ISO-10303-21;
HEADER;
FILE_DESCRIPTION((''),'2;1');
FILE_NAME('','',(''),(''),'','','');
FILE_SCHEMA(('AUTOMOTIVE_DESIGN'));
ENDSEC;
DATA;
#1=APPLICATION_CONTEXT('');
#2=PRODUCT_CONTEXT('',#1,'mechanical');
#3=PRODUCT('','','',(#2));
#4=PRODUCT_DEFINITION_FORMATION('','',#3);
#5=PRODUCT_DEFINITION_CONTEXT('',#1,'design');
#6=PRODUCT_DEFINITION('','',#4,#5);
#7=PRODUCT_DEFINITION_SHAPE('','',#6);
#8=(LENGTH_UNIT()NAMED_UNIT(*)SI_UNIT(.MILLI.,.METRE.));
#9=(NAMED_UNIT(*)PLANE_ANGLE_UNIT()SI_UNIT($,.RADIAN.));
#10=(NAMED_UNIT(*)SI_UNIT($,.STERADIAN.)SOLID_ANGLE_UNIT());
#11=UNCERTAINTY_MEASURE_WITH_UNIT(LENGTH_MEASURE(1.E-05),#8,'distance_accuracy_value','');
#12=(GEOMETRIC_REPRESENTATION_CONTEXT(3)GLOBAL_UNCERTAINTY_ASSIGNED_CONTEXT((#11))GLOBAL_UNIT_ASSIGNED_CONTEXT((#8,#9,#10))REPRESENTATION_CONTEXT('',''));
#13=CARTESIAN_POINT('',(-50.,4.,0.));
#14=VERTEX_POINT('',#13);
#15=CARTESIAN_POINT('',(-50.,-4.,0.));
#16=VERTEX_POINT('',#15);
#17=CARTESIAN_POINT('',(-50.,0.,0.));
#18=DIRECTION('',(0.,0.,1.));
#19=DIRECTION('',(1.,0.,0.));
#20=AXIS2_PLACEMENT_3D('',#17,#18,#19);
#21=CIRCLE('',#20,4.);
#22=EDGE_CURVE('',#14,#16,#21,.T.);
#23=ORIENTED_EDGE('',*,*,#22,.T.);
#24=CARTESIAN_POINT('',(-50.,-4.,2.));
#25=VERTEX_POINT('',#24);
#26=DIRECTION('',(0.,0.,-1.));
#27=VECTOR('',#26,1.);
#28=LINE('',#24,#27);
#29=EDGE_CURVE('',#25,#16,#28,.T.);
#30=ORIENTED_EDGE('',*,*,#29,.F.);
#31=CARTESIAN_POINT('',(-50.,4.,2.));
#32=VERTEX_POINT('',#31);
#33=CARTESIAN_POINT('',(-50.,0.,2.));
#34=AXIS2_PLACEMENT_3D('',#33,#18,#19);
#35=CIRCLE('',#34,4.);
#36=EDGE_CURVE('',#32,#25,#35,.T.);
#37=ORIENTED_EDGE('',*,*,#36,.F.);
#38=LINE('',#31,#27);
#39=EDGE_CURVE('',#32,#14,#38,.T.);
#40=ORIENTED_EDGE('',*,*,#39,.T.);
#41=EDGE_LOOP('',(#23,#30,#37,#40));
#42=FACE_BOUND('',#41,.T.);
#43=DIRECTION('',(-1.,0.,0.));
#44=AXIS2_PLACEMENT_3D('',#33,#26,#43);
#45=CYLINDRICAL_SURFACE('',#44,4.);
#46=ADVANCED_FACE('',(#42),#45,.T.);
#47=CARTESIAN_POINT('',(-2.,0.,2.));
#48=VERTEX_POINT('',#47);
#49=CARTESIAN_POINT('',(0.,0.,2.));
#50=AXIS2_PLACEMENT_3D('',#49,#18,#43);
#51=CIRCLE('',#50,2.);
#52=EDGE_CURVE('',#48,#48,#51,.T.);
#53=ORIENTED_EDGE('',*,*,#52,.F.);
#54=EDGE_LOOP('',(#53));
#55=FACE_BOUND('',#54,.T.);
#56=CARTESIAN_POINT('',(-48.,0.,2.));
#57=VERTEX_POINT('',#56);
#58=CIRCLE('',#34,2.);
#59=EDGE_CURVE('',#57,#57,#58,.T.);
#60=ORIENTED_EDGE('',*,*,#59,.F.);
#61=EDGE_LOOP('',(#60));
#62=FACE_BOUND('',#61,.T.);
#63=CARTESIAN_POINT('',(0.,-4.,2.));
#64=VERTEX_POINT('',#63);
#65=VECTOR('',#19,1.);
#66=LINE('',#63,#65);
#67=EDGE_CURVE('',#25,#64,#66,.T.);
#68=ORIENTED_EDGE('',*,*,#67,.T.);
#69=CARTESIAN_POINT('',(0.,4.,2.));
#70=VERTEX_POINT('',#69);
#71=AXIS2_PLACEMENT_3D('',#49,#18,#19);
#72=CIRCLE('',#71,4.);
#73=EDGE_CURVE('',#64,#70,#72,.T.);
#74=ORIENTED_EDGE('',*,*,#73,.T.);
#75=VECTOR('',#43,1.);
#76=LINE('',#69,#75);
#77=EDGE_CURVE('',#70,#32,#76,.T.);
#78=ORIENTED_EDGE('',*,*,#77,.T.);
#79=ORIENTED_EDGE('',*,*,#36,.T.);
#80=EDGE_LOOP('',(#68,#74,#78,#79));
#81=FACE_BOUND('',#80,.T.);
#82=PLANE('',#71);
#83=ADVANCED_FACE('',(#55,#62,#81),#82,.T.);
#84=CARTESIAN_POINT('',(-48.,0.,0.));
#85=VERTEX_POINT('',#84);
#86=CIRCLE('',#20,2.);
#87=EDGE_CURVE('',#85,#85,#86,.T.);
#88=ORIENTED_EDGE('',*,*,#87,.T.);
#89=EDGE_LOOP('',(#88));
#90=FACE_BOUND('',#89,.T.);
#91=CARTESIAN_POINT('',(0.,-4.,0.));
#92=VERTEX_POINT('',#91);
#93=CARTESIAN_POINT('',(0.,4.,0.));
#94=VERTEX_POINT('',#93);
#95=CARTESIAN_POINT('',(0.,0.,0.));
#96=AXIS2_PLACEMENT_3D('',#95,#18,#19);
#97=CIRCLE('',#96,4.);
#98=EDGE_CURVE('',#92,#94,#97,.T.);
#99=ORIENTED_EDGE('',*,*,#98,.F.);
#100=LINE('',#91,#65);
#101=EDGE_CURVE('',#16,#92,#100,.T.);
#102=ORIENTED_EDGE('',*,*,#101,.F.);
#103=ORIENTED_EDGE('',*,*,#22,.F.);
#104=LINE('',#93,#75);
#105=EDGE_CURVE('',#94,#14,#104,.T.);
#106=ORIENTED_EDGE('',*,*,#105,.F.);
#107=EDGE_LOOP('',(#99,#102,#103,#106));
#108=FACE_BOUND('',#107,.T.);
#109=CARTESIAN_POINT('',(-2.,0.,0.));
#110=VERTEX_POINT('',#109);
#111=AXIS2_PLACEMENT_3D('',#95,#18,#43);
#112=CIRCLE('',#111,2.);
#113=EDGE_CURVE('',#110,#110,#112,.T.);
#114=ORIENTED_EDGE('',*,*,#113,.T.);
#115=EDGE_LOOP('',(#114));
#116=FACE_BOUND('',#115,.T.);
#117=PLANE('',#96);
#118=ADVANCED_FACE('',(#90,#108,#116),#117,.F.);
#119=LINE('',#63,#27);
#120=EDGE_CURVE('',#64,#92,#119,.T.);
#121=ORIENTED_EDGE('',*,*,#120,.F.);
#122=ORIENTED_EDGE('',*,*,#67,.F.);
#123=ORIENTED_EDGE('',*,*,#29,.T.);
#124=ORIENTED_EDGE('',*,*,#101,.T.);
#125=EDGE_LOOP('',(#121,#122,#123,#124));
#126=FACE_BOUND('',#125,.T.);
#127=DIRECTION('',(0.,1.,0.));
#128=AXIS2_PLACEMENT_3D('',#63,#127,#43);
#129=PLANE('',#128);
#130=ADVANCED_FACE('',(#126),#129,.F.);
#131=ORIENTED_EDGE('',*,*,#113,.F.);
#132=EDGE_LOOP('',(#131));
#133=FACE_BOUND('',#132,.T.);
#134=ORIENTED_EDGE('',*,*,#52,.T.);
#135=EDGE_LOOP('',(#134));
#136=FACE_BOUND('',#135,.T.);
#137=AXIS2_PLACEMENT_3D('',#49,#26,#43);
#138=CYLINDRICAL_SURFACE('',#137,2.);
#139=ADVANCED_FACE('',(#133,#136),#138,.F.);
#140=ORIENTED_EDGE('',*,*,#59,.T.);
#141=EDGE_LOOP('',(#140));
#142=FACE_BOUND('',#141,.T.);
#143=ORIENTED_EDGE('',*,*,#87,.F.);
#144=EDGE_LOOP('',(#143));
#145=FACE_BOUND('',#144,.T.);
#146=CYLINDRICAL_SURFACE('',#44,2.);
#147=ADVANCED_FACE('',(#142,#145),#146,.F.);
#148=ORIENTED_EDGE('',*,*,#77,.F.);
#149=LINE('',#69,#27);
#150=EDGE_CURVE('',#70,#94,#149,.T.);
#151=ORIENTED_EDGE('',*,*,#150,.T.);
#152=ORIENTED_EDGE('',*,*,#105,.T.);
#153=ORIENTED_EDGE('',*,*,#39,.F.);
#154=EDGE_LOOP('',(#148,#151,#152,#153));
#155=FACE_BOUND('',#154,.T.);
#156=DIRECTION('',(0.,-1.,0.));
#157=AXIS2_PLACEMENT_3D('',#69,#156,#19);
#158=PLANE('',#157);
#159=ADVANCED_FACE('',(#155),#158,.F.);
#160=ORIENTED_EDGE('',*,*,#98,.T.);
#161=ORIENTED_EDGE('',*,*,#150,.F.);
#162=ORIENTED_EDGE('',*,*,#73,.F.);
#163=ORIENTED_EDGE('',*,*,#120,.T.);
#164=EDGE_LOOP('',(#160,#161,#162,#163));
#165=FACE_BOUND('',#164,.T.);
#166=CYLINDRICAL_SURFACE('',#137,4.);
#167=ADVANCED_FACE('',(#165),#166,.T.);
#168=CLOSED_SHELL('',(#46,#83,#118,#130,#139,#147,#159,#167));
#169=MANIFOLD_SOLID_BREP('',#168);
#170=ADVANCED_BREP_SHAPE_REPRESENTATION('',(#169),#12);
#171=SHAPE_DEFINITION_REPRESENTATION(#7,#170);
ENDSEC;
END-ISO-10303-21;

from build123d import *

# Parameters (mm, degrees)
SKETCH2_R           = 2
BOSS_EXTRUDE1_DEPTH = 2


with BuildPart() as part:
    # Sketch2 → Boss-Extrude1 (new body)
    with BuildSketch(Plane.XY):
        with BuildLine():
            Line((0, -4), (-50, -4))
            ThreePointArc((-50, -4), (-54, 0), (-50, 4))
            Line((-50, 4), (0, 4))
            ThreePointArc((0, 4), (4, 0), (0, -4))
        make_face()
        with Locations((-50, 0)):
            Circle(SKETCH2_R, mode=Mode.SUBTRACT)
        Circle(SKETCH2_R, mode=Mode.SUBTRACT)
    extrude(amount=BOSS_EXTRUDE1_DEPTH)


solid = part.part
